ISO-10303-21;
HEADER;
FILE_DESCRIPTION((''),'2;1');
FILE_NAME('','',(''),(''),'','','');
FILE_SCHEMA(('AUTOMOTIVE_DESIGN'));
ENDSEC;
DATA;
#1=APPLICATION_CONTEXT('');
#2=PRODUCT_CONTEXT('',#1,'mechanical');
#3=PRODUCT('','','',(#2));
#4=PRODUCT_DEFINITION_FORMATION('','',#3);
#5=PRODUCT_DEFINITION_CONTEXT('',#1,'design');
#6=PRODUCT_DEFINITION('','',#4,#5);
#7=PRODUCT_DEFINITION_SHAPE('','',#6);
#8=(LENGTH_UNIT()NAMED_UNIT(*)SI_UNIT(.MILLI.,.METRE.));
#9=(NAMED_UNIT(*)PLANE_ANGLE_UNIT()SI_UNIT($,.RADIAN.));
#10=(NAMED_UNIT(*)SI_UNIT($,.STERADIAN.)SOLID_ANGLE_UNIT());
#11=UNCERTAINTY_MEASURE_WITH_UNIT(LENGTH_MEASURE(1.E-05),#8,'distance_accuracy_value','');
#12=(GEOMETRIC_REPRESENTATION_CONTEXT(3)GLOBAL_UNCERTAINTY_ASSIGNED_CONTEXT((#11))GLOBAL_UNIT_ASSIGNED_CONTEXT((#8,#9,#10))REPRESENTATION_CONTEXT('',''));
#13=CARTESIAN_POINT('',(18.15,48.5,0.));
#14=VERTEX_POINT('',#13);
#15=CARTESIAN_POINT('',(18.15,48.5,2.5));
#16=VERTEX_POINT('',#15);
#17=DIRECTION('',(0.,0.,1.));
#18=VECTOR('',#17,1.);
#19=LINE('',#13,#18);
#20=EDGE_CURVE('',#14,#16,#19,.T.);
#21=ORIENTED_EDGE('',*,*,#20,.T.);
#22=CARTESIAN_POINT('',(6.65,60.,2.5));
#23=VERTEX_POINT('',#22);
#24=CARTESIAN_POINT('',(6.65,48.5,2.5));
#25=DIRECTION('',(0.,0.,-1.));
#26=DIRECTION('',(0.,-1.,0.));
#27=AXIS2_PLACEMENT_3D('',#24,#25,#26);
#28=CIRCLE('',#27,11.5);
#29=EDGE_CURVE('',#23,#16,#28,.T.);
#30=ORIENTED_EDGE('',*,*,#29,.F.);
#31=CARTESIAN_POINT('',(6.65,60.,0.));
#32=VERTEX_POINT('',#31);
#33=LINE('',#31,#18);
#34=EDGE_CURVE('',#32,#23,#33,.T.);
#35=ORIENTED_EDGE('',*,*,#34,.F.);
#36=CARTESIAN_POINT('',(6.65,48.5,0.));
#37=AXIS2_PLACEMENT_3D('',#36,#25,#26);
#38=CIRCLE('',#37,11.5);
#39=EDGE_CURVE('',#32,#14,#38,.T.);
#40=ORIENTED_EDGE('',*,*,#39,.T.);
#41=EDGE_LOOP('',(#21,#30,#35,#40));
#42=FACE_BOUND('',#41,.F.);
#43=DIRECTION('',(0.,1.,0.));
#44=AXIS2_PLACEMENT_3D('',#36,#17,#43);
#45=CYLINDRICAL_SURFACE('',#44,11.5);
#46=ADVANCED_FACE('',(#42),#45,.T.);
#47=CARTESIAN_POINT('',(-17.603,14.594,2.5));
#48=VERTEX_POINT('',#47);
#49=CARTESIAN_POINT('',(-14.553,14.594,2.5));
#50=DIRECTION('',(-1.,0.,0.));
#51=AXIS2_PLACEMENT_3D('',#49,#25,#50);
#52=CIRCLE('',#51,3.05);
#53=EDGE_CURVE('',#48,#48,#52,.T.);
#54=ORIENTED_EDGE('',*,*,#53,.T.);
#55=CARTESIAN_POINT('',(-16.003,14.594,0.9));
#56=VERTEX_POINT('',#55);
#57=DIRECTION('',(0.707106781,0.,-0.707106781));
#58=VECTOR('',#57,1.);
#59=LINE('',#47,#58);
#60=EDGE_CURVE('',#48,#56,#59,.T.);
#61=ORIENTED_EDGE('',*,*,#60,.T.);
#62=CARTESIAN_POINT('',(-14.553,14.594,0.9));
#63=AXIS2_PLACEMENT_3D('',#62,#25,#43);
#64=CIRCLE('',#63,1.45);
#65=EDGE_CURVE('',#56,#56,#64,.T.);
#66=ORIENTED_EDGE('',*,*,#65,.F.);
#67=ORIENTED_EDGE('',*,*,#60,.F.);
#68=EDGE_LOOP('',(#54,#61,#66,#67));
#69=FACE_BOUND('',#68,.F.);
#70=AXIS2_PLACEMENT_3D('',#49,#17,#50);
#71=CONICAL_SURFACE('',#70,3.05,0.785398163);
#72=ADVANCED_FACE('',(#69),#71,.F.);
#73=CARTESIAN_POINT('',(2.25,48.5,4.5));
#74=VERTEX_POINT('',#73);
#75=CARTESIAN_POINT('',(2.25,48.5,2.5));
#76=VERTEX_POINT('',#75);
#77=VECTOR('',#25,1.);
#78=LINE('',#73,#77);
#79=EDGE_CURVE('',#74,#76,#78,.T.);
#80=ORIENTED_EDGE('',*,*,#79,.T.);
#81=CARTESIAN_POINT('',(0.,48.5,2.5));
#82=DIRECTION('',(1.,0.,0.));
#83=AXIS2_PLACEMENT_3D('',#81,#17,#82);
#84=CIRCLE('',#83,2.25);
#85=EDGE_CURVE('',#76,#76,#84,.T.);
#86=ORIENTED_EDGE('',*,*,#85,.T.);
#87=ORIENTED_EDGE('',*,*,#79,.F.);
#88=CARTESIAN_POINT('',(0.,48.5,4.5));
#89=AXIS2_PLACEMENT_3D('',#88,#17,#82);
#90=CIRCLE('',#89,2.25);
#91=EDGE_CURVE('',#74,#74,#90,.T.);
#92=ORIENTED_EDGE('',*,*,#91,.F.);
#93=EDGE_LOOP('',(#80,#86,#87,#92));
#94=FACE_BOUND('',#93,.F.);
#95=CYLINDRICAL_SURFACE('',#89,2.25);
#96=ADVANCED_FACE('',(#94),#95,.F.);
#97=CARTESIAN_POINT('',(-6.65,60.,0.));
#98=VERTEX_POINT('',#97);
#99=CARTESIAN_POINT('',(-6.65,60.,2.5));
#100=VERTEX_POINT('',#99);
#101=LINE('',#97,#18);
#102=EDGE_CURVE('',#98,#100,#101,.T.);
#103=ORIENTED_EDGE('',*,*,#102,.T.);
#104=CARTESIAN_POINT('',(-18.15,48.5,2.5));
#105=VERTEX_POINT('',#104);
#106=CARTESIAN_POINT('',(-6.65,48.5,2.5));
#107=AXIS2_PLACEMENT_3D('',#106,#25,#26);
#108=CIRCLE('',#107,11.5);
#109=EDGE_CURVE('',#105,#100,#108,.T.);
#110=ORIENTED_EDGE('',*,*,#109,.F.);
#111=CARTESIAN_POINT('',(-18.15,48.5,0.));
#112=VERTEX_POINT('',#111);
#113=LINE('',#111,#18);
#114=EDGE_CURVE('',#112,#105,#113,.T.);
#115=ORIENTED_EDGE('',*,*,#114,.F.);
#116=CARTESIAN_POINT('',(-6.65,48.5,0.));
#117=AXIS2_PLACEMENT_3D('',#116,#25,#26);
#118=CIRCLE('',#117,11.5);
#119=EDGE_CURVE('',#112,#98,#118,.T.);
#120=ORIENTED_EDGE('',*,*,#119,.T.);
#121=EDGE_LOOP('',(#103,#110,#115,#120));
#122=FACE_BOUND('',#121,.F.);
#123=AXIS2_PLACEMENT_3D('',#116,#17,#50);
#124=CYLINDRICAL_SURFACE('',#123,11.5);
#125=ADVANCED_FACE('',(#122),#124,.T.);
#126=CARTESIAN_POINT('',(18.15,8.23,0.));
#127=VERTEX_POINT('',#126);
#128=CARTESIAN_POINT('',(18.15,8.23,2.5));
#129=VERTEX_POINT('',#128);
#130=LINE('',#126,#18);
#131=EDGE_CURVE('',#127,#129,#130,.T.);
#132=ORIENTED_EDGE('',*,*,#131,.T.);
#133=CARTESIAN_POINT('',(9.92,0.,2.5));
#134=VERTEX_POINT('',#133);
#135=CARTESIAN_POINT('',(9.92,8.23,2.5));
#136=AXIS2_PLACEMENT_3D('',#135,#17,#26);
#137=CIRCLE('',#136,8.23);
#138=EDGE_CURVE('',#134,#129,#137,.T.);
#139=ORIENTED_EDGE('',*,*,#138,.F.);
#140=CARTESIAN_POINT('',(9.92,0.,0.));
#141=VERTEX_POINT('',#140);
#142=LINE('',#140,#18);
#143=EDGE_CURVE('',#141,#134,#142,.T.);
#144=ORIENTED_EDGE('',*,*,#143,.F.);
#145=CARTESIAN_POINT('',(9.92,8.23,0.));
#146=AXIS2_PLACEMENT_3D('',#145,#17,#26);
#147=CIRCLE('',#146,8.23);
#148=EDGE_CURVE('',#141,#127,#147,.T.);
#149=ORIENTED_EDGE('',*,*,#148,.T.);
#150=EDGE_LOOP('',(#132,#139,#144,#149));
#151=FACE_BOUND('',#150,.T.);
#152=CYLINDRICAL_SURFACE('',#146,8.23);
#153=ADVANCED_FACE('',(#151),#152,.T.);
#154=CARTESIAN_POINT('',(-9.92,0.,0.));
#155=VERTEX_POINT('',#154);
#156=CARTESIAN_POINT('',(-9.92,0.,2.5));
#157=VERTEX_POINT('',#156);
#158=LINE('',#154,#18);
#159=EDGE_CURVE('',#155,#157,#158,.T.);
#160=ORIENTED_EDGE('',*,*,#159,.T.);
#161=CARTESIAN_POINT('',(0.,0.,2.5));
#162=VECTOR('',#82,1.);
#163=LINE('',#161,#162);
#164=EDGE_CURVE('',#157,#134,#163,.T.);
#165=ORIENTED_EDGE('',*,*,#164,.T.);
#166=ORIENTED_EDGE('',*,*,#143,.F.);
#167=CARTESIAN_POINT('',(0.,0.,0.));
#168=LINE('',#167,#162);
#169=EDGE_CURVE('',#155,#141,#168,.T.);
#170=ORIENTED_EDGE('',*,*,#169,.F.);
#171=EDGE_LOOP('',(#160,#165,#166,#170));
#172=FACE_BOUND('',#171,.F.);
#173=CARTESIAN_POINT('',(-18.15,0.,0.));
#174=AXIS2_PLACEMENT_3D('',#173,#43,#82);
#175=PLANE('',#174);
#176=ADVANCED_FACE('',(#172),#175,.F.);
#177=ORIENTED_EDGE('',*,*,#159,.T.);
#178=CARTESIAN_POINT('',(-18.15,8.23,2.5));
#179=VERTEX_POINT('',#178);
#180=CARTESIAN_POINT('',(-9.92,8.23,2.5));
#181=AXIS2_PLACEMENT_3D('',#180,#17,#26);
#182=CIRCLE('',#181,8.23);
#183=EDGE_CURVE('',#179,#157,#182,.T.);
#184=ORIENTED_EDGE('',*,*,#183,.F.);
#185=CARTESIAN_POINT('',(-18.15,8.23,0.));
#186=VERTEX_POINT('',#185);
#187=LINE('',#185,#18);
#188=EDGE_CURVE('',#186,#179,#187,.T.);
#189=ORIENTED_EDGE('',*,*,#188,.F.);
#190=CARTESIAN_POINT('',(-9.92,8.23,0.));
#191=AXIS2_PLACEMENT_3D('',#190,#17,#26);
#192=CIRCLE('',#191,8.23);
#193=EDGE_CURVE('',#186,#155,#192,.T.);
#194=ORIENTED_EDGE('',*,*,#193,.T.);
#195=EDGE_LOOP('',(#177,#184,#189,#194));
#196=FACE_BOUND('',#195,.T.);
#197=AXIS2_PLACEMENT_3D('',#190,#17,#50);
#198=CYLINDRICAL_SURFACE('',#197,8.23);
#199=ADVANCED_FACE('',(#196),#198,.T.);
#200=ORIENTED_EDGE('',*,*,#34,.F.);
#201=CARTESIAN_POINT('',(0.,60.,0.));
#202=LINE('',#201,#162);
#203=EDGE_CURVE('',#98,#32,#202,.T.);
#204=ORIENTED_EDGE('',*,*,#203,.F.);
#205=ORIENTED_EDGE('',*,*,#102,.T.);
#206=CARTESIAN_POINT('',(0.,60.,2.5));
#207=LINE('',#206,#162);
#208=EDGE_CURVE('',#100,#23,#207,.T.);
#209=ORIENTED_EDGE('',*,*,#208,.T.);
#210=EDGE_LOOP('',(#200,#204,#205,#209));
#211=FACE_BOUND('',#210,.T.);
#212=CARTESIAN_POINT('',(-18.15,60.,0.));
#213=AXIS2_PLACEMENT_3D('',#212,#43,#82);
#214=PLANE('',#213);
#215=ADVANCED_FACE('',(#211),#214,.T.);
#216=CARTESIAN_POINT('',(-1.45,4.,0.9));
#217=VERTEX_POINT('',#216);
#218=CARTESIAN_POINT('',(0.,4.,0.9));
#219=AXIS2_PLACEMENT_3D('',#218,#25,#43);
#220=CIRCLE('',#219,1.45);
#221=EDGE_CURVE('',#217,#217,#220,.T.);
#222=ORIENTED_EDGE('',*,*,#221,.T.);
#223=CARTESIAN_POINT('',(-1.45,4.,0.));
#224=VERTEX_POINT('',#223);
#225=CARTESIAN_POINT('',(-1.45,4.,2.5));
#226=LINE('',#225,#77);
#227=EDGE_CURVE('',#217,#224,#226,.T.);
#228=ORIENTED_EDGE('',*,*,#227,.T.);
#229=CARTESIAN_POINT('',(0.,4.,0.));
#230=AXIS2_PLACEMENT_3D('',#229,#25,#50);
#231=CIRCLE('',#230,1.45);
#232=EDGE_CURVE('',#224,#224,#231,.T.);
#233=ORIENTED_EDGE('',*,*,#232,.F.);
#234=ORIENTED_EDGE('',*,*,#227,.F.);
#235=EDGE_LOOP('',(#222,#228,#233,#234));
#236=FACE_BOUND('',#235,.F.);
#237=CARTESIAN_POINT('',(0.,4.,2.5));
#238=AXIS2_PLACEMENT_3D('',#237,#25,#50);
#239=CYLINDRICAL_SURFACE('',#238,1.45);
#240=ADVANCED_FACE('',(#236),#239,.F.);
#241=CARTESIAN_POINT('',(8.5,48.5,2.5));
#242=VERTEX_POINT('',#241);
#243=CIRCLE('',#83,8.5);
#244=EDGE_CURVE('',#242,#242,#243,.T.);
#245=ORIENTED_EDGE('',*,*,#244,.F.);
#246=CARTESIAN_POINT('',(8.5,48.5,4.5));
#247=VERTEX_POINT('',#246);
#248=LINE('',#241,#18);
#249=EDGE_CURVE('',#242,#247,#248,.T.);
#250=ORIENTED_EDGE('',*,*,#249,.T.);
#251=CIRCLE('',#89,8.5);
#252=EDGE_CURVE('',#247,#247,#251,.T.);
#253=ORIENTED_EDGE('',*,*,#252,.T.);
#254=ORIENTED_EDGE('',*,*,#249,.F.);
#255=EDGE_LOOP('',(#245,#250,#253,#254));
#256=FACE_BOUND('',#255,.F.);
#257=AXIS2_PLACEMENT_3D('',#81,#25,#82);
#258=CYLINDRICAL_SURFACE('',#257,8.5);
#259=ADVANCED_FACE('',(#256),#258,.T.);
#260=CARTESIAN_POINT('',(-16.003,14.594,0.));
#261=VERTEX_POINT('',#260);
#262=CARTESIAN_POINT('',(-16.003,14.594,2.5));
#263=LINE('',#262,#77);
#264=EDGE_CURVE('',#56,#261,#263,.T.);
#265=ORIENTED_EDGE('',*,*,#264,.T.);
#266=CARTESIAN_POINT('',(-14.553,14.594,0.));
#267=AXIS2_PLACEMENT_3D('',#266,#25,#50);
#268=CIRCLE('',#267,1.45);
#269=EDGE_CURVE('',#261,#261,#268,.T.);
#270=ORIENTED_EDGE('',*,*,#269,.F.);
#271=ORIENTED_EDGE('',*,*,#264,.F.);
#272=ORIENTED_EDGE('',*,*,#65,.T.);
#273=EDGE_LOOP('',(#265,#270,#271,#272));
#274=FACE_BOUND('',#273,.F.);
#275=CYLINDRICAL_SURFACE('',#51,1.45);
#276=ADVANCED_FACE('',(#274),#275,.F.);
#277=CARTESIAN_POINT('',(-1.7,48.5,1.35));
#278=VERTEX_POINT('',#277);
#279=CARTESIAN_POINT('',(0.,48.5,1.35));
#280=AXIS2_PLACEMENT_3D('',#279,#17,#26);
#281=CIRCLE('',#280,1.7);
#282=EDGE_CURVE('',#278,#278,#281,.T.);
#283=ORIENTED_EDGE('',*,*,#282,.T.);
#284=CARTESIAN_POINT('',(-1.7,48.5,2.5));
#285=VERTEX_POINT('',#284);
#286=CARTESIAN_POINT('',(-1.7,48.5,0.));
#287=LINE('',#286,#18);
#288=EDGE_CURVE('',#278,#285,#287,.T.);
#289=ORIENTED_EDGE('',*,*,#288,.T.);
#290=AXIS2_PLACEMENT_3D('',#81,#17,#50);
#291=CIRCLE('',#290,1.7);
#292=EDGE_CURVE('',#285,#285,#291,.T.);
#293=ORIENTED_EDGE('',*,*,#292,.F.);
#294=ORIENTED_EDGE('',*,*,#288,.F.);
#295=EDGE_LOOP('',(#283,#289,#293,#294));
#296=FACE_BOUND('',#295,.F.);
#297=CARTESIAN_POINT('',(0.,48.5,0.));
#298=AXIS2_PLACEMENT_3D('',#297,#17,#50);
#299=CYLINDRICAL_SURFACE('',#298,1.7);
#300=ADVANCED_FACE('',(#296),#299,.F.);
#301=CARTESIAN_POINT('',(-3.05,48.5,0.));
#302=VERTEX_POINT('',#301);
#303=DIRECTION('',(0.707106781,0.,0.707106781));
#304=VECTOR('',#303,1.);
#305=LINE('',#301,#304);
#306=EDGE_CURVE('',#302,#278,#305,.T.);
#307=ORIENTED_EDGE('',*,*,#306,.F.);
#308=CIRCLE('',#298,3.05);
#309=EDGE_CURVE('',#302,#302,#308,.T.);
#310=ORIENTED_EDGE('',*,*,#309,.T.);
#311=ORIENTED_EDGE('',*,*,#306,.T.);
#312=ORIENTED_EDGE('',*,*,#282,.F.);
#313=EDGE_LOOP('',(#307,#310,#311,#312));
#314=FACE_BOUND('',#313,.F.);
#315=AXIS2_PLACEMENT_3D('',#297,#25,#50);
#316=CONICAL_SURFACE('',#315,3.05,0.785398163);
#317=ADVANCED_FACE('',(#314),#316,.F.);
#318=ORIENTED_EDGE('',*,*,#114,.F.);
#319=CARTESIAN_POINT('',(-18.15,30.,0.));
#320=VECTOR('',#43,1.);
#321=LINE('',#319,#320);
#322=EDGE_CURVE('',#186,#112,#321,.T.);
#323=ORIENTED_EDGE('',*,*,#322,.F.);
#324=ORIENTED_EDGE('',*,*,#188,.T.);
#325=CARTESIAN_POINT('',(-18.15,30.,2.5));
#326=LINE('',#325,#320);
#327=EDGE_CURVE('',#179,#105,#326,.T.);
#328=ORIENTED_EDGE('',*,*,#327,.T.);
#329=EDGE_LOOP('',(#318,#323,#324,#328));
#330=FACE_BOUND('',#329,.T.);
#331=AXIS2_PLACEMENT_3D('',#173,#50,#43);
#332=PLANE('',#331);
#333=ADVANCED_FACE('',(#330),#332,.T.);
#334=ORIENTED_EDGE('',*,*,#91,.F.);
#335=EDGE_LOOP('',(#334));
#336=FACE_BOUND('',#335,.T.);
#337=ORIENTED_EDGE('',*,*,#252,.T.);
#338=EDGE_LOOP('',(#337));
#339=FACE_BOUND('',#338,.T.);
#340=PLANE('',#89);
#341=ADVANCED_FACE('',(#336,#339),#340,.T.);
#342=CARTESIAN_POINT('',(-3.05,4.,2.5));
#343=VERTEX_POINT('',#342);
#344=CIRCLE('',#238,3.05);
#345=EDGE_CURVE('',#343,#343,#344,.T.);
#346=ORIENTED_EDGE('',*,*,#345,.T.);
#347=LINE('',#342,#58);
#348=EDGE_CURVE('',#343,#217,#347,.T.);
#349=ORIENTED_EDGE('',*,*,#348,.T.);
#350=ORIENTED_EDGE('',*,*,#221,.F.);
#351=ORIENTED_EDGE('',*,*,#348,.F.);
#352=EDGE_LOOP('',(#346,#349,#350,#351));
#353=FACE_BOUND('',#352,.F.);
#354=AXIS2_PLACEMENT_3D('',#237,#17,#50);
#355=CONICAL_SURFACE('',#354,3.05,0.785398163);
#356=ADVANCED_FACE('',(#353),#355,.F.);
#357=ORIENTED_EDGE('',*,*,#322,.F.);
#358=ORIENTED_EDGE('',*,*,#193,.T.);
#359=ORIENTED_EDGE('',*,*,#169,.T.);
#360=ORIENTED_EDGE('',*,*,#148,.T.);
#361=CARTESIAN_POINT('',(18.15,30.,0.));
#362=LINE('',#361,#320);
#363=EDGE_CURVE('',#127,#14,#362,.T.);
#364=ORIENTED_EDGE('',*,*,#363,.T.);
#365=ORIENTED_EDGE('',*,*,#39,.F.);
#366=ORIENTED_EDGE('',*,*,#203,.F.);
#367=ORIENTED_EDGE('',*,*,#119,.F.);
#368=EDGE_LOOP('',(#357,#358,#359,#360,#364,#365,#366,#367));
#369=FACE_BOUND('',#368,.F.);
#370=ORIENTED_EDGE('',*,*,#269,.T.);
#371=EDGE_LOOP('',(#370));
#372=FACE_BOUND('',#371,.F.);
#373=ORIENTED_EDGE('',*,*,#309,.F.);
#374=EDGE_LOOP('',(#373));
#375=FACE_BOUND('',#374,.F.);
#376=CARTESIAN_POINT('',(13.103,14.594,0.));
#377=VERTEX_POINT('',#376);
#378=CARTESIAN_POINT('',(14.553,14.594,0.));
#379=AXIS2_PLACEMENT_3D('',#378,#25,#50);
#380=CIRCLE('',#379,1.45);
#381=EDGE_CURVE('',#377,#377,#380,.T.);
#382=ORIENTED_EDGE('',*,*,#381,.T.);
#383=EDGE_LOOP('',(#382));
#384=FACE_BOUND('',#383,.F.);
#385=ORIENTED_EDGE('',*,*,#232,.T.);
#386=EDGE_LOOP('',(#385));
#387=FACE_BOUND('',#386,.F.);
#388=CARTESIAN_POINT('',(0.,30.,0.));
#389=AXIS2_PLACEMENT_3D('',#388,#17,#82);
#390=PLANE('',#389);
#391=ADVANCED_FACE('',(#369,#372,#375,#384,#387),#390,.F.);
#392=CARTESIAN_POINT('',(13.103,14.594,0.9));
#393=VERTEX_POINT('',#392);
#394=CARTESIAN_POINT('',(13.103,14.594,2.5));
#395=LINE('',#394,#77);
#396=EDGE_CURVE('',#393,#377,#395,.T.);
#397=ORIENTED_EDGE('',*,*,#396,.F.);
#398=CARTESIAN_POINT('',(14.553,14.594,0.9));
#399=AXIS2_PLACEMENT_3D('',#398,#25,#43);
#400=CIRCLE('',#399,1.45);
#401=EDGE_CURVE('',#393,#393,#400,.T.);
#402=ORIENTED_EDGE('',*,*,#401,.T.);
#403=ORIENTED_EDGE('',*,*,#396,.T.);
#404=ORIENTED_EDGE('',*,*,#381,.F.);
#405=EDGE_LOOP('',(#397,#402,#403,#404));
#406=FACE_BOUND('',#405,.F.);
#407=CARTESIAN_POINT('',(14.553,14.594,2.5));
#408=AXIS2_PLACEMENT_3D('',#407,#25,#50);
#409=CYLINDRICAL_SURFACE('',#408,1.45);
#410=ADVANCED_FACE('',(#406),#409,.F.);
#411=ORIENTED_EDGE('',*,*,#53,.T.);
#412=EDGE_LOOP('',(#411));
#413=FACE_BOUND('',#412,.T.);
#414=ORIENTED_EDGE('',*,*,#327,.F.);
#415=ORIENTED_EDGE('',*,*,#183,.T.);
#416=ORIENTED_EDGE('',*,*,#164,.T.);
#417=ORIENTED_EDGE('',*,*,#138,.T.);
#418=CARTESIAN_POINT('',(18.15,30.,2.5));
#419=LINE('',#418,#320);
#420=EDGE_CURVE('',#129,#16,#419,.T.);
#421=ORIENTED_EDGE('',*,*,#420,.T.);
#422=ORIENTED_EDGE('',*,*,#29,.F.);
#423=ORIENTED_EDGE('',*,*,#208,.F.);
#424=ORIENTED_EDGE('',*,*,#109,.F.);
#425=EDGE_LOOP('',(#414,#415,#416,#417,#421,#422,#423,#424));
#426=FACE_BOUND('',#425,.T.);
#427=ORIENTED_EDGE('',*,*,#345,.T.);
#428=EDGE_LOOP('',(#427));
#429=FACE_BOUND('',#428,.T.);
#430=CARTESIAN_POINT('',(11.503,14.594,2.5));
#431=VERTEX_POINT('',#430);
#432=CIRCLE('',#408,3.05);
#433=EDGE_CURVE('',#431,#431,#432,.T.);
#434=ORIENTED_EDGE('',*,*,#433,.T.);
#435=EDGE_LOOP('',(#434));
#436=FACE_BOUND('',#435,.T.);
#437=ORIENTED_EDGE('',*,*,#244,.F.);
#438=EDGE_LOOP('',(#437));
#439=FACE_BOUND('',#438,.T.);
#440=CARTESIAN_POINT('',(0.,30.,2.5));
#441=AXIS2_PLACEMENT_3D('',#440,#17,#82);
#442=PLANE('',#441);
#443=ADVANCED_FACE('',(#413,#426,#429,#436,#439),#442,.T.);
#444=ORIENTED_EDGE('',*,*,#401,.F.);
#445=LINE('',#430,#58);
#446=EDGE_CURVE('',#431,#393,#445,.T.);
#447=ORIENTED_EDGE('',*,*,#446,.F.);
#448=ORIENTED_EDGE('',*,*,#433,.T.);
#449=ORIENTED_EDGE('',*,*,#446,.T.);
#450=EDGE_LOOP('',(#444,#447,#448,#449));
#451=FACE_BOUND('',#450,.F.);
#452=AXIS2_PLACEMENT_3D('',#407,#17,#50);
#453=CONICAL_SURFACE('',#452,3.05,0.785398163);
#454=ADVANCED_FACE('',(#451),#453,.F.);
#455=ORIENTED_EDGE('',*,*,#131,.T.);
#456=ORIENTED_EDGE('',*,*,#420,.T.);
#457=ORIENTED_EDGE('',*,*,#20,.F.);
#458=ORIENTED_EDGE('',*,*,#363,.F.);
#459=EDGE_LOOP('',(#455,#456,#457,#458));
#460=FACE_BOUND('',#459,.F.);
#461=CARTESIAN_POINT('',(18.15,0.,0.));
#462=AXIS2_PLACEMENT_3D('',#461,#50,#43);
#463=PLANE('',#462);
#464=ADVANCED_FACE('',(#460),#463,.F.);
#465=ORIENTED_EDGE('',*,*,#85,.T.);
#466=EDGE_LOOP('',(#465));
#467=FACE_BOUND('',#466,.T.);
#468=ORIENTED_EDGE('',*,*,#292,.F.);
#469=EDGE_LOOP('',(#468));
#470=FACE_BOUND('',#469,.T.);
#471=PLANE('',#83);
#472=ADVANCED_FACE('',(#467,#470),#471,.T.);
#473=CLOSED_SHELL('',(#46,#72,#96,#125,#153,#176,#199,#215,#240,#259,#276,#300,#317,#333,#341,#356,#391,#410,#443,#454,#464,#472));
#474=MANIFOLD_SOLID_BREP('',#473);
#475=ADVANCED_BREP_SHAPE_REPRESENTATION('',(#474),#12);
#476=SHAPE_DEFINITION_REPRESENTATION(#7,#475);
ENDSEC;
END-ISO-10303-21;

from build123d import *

# Parameters (mm, degrees)
SKETCH_W            = 36.3
SKETCH_H            = 60
PAD_DEPTH           = 2.5
FILLET_R            = 8.23
FILLET001_R         = 11.5
HOLE_D              = 2.9
HOLE_DEPTH          = 25
HOLE_CSINK_D        = 6.1
HOLE_CSINK_ANGLE    = 90
SKETCH002_R         = 8.5
PAD001_DEPTH        = 2
SKETCH003_R         = 2.25
POCKET_DEPTH        = 2
HOLE001_D           = 3.4
HOLE001_DEPTH       = 25
HOLE001_CSINK_D     = 6.1
HOLE001_CSINK_ANGLE = 90


with BuildPart() as part:
    # Sketch → Pad (new body)
    with BuildSketch(Plane.XY):
        with Locations((0, 30)):
            Rectangle(SKETCH_W, SKETCH_H)
    extrude(amount=PAD_DEPTH)

    # Fillet
    fillet_edges = [part.edges().sort_by_distance(p)[0] for p in [
        (18.15, 0, 1.25),
        (-18.15, 0, 1.25),
    ]]
    fillet(fillet_edges, radius=FILLET_R)

    # Fillet001
    fillet001_edges = [part.edges().sort_by_distance(p)[0] for p in [
        (-18.15, 60, 1.25),
        (18.15, 60, 1.25),
    ]]
    fillet(fillet001_edges, radius=FILLET001_R)

    # Hole
    with Locations(Plane.XY.offset(2.5)):
        with Locations((0, 4), (-14.553, 14.594), (14.553, 14.594)):
            CounterSinkHole(HOLE_D / 2, HOLE_CSINK_D / 2, depth=HOLE_DEPTH, counter_sink_angle=HOLE_CSINK_ANGLE)

    # Sketch002 (on Face5 of Hole) → Pad001 (join)
    with BuildSketch(Plane.XY.offset(2.5)):
        with Locations((0, 48.5)):
            Circle(SKETCH002_R)
    extrude(amount=PAD001_DEPTH)

    # Sketch003 (on Face18 of Pad001) → Pocket (cut)
    with BuildSketch(Plane.XY.offset(4.5)):
        with Locations((0, 48.5)):
            Circle(SKETCH003_R)
    extrude(amount=-POCKET_DEPTH, mode=Mode.SUBTRACT)

    # Hole001
    with Locations(Plane(origin=(0, 0, 0), x_dir=(1, 0, 0), z_dir=(0, 0, -1))):
        with Locations((0, -48.5)):
            CounterSinkHole(HOLE001_D / 2, HOLE001_CSINK_D / 2, depth=HOLE001_DEPTH, counter_sink_angle=HOLE001_CSINK_ANGLE)


solid = part.part
